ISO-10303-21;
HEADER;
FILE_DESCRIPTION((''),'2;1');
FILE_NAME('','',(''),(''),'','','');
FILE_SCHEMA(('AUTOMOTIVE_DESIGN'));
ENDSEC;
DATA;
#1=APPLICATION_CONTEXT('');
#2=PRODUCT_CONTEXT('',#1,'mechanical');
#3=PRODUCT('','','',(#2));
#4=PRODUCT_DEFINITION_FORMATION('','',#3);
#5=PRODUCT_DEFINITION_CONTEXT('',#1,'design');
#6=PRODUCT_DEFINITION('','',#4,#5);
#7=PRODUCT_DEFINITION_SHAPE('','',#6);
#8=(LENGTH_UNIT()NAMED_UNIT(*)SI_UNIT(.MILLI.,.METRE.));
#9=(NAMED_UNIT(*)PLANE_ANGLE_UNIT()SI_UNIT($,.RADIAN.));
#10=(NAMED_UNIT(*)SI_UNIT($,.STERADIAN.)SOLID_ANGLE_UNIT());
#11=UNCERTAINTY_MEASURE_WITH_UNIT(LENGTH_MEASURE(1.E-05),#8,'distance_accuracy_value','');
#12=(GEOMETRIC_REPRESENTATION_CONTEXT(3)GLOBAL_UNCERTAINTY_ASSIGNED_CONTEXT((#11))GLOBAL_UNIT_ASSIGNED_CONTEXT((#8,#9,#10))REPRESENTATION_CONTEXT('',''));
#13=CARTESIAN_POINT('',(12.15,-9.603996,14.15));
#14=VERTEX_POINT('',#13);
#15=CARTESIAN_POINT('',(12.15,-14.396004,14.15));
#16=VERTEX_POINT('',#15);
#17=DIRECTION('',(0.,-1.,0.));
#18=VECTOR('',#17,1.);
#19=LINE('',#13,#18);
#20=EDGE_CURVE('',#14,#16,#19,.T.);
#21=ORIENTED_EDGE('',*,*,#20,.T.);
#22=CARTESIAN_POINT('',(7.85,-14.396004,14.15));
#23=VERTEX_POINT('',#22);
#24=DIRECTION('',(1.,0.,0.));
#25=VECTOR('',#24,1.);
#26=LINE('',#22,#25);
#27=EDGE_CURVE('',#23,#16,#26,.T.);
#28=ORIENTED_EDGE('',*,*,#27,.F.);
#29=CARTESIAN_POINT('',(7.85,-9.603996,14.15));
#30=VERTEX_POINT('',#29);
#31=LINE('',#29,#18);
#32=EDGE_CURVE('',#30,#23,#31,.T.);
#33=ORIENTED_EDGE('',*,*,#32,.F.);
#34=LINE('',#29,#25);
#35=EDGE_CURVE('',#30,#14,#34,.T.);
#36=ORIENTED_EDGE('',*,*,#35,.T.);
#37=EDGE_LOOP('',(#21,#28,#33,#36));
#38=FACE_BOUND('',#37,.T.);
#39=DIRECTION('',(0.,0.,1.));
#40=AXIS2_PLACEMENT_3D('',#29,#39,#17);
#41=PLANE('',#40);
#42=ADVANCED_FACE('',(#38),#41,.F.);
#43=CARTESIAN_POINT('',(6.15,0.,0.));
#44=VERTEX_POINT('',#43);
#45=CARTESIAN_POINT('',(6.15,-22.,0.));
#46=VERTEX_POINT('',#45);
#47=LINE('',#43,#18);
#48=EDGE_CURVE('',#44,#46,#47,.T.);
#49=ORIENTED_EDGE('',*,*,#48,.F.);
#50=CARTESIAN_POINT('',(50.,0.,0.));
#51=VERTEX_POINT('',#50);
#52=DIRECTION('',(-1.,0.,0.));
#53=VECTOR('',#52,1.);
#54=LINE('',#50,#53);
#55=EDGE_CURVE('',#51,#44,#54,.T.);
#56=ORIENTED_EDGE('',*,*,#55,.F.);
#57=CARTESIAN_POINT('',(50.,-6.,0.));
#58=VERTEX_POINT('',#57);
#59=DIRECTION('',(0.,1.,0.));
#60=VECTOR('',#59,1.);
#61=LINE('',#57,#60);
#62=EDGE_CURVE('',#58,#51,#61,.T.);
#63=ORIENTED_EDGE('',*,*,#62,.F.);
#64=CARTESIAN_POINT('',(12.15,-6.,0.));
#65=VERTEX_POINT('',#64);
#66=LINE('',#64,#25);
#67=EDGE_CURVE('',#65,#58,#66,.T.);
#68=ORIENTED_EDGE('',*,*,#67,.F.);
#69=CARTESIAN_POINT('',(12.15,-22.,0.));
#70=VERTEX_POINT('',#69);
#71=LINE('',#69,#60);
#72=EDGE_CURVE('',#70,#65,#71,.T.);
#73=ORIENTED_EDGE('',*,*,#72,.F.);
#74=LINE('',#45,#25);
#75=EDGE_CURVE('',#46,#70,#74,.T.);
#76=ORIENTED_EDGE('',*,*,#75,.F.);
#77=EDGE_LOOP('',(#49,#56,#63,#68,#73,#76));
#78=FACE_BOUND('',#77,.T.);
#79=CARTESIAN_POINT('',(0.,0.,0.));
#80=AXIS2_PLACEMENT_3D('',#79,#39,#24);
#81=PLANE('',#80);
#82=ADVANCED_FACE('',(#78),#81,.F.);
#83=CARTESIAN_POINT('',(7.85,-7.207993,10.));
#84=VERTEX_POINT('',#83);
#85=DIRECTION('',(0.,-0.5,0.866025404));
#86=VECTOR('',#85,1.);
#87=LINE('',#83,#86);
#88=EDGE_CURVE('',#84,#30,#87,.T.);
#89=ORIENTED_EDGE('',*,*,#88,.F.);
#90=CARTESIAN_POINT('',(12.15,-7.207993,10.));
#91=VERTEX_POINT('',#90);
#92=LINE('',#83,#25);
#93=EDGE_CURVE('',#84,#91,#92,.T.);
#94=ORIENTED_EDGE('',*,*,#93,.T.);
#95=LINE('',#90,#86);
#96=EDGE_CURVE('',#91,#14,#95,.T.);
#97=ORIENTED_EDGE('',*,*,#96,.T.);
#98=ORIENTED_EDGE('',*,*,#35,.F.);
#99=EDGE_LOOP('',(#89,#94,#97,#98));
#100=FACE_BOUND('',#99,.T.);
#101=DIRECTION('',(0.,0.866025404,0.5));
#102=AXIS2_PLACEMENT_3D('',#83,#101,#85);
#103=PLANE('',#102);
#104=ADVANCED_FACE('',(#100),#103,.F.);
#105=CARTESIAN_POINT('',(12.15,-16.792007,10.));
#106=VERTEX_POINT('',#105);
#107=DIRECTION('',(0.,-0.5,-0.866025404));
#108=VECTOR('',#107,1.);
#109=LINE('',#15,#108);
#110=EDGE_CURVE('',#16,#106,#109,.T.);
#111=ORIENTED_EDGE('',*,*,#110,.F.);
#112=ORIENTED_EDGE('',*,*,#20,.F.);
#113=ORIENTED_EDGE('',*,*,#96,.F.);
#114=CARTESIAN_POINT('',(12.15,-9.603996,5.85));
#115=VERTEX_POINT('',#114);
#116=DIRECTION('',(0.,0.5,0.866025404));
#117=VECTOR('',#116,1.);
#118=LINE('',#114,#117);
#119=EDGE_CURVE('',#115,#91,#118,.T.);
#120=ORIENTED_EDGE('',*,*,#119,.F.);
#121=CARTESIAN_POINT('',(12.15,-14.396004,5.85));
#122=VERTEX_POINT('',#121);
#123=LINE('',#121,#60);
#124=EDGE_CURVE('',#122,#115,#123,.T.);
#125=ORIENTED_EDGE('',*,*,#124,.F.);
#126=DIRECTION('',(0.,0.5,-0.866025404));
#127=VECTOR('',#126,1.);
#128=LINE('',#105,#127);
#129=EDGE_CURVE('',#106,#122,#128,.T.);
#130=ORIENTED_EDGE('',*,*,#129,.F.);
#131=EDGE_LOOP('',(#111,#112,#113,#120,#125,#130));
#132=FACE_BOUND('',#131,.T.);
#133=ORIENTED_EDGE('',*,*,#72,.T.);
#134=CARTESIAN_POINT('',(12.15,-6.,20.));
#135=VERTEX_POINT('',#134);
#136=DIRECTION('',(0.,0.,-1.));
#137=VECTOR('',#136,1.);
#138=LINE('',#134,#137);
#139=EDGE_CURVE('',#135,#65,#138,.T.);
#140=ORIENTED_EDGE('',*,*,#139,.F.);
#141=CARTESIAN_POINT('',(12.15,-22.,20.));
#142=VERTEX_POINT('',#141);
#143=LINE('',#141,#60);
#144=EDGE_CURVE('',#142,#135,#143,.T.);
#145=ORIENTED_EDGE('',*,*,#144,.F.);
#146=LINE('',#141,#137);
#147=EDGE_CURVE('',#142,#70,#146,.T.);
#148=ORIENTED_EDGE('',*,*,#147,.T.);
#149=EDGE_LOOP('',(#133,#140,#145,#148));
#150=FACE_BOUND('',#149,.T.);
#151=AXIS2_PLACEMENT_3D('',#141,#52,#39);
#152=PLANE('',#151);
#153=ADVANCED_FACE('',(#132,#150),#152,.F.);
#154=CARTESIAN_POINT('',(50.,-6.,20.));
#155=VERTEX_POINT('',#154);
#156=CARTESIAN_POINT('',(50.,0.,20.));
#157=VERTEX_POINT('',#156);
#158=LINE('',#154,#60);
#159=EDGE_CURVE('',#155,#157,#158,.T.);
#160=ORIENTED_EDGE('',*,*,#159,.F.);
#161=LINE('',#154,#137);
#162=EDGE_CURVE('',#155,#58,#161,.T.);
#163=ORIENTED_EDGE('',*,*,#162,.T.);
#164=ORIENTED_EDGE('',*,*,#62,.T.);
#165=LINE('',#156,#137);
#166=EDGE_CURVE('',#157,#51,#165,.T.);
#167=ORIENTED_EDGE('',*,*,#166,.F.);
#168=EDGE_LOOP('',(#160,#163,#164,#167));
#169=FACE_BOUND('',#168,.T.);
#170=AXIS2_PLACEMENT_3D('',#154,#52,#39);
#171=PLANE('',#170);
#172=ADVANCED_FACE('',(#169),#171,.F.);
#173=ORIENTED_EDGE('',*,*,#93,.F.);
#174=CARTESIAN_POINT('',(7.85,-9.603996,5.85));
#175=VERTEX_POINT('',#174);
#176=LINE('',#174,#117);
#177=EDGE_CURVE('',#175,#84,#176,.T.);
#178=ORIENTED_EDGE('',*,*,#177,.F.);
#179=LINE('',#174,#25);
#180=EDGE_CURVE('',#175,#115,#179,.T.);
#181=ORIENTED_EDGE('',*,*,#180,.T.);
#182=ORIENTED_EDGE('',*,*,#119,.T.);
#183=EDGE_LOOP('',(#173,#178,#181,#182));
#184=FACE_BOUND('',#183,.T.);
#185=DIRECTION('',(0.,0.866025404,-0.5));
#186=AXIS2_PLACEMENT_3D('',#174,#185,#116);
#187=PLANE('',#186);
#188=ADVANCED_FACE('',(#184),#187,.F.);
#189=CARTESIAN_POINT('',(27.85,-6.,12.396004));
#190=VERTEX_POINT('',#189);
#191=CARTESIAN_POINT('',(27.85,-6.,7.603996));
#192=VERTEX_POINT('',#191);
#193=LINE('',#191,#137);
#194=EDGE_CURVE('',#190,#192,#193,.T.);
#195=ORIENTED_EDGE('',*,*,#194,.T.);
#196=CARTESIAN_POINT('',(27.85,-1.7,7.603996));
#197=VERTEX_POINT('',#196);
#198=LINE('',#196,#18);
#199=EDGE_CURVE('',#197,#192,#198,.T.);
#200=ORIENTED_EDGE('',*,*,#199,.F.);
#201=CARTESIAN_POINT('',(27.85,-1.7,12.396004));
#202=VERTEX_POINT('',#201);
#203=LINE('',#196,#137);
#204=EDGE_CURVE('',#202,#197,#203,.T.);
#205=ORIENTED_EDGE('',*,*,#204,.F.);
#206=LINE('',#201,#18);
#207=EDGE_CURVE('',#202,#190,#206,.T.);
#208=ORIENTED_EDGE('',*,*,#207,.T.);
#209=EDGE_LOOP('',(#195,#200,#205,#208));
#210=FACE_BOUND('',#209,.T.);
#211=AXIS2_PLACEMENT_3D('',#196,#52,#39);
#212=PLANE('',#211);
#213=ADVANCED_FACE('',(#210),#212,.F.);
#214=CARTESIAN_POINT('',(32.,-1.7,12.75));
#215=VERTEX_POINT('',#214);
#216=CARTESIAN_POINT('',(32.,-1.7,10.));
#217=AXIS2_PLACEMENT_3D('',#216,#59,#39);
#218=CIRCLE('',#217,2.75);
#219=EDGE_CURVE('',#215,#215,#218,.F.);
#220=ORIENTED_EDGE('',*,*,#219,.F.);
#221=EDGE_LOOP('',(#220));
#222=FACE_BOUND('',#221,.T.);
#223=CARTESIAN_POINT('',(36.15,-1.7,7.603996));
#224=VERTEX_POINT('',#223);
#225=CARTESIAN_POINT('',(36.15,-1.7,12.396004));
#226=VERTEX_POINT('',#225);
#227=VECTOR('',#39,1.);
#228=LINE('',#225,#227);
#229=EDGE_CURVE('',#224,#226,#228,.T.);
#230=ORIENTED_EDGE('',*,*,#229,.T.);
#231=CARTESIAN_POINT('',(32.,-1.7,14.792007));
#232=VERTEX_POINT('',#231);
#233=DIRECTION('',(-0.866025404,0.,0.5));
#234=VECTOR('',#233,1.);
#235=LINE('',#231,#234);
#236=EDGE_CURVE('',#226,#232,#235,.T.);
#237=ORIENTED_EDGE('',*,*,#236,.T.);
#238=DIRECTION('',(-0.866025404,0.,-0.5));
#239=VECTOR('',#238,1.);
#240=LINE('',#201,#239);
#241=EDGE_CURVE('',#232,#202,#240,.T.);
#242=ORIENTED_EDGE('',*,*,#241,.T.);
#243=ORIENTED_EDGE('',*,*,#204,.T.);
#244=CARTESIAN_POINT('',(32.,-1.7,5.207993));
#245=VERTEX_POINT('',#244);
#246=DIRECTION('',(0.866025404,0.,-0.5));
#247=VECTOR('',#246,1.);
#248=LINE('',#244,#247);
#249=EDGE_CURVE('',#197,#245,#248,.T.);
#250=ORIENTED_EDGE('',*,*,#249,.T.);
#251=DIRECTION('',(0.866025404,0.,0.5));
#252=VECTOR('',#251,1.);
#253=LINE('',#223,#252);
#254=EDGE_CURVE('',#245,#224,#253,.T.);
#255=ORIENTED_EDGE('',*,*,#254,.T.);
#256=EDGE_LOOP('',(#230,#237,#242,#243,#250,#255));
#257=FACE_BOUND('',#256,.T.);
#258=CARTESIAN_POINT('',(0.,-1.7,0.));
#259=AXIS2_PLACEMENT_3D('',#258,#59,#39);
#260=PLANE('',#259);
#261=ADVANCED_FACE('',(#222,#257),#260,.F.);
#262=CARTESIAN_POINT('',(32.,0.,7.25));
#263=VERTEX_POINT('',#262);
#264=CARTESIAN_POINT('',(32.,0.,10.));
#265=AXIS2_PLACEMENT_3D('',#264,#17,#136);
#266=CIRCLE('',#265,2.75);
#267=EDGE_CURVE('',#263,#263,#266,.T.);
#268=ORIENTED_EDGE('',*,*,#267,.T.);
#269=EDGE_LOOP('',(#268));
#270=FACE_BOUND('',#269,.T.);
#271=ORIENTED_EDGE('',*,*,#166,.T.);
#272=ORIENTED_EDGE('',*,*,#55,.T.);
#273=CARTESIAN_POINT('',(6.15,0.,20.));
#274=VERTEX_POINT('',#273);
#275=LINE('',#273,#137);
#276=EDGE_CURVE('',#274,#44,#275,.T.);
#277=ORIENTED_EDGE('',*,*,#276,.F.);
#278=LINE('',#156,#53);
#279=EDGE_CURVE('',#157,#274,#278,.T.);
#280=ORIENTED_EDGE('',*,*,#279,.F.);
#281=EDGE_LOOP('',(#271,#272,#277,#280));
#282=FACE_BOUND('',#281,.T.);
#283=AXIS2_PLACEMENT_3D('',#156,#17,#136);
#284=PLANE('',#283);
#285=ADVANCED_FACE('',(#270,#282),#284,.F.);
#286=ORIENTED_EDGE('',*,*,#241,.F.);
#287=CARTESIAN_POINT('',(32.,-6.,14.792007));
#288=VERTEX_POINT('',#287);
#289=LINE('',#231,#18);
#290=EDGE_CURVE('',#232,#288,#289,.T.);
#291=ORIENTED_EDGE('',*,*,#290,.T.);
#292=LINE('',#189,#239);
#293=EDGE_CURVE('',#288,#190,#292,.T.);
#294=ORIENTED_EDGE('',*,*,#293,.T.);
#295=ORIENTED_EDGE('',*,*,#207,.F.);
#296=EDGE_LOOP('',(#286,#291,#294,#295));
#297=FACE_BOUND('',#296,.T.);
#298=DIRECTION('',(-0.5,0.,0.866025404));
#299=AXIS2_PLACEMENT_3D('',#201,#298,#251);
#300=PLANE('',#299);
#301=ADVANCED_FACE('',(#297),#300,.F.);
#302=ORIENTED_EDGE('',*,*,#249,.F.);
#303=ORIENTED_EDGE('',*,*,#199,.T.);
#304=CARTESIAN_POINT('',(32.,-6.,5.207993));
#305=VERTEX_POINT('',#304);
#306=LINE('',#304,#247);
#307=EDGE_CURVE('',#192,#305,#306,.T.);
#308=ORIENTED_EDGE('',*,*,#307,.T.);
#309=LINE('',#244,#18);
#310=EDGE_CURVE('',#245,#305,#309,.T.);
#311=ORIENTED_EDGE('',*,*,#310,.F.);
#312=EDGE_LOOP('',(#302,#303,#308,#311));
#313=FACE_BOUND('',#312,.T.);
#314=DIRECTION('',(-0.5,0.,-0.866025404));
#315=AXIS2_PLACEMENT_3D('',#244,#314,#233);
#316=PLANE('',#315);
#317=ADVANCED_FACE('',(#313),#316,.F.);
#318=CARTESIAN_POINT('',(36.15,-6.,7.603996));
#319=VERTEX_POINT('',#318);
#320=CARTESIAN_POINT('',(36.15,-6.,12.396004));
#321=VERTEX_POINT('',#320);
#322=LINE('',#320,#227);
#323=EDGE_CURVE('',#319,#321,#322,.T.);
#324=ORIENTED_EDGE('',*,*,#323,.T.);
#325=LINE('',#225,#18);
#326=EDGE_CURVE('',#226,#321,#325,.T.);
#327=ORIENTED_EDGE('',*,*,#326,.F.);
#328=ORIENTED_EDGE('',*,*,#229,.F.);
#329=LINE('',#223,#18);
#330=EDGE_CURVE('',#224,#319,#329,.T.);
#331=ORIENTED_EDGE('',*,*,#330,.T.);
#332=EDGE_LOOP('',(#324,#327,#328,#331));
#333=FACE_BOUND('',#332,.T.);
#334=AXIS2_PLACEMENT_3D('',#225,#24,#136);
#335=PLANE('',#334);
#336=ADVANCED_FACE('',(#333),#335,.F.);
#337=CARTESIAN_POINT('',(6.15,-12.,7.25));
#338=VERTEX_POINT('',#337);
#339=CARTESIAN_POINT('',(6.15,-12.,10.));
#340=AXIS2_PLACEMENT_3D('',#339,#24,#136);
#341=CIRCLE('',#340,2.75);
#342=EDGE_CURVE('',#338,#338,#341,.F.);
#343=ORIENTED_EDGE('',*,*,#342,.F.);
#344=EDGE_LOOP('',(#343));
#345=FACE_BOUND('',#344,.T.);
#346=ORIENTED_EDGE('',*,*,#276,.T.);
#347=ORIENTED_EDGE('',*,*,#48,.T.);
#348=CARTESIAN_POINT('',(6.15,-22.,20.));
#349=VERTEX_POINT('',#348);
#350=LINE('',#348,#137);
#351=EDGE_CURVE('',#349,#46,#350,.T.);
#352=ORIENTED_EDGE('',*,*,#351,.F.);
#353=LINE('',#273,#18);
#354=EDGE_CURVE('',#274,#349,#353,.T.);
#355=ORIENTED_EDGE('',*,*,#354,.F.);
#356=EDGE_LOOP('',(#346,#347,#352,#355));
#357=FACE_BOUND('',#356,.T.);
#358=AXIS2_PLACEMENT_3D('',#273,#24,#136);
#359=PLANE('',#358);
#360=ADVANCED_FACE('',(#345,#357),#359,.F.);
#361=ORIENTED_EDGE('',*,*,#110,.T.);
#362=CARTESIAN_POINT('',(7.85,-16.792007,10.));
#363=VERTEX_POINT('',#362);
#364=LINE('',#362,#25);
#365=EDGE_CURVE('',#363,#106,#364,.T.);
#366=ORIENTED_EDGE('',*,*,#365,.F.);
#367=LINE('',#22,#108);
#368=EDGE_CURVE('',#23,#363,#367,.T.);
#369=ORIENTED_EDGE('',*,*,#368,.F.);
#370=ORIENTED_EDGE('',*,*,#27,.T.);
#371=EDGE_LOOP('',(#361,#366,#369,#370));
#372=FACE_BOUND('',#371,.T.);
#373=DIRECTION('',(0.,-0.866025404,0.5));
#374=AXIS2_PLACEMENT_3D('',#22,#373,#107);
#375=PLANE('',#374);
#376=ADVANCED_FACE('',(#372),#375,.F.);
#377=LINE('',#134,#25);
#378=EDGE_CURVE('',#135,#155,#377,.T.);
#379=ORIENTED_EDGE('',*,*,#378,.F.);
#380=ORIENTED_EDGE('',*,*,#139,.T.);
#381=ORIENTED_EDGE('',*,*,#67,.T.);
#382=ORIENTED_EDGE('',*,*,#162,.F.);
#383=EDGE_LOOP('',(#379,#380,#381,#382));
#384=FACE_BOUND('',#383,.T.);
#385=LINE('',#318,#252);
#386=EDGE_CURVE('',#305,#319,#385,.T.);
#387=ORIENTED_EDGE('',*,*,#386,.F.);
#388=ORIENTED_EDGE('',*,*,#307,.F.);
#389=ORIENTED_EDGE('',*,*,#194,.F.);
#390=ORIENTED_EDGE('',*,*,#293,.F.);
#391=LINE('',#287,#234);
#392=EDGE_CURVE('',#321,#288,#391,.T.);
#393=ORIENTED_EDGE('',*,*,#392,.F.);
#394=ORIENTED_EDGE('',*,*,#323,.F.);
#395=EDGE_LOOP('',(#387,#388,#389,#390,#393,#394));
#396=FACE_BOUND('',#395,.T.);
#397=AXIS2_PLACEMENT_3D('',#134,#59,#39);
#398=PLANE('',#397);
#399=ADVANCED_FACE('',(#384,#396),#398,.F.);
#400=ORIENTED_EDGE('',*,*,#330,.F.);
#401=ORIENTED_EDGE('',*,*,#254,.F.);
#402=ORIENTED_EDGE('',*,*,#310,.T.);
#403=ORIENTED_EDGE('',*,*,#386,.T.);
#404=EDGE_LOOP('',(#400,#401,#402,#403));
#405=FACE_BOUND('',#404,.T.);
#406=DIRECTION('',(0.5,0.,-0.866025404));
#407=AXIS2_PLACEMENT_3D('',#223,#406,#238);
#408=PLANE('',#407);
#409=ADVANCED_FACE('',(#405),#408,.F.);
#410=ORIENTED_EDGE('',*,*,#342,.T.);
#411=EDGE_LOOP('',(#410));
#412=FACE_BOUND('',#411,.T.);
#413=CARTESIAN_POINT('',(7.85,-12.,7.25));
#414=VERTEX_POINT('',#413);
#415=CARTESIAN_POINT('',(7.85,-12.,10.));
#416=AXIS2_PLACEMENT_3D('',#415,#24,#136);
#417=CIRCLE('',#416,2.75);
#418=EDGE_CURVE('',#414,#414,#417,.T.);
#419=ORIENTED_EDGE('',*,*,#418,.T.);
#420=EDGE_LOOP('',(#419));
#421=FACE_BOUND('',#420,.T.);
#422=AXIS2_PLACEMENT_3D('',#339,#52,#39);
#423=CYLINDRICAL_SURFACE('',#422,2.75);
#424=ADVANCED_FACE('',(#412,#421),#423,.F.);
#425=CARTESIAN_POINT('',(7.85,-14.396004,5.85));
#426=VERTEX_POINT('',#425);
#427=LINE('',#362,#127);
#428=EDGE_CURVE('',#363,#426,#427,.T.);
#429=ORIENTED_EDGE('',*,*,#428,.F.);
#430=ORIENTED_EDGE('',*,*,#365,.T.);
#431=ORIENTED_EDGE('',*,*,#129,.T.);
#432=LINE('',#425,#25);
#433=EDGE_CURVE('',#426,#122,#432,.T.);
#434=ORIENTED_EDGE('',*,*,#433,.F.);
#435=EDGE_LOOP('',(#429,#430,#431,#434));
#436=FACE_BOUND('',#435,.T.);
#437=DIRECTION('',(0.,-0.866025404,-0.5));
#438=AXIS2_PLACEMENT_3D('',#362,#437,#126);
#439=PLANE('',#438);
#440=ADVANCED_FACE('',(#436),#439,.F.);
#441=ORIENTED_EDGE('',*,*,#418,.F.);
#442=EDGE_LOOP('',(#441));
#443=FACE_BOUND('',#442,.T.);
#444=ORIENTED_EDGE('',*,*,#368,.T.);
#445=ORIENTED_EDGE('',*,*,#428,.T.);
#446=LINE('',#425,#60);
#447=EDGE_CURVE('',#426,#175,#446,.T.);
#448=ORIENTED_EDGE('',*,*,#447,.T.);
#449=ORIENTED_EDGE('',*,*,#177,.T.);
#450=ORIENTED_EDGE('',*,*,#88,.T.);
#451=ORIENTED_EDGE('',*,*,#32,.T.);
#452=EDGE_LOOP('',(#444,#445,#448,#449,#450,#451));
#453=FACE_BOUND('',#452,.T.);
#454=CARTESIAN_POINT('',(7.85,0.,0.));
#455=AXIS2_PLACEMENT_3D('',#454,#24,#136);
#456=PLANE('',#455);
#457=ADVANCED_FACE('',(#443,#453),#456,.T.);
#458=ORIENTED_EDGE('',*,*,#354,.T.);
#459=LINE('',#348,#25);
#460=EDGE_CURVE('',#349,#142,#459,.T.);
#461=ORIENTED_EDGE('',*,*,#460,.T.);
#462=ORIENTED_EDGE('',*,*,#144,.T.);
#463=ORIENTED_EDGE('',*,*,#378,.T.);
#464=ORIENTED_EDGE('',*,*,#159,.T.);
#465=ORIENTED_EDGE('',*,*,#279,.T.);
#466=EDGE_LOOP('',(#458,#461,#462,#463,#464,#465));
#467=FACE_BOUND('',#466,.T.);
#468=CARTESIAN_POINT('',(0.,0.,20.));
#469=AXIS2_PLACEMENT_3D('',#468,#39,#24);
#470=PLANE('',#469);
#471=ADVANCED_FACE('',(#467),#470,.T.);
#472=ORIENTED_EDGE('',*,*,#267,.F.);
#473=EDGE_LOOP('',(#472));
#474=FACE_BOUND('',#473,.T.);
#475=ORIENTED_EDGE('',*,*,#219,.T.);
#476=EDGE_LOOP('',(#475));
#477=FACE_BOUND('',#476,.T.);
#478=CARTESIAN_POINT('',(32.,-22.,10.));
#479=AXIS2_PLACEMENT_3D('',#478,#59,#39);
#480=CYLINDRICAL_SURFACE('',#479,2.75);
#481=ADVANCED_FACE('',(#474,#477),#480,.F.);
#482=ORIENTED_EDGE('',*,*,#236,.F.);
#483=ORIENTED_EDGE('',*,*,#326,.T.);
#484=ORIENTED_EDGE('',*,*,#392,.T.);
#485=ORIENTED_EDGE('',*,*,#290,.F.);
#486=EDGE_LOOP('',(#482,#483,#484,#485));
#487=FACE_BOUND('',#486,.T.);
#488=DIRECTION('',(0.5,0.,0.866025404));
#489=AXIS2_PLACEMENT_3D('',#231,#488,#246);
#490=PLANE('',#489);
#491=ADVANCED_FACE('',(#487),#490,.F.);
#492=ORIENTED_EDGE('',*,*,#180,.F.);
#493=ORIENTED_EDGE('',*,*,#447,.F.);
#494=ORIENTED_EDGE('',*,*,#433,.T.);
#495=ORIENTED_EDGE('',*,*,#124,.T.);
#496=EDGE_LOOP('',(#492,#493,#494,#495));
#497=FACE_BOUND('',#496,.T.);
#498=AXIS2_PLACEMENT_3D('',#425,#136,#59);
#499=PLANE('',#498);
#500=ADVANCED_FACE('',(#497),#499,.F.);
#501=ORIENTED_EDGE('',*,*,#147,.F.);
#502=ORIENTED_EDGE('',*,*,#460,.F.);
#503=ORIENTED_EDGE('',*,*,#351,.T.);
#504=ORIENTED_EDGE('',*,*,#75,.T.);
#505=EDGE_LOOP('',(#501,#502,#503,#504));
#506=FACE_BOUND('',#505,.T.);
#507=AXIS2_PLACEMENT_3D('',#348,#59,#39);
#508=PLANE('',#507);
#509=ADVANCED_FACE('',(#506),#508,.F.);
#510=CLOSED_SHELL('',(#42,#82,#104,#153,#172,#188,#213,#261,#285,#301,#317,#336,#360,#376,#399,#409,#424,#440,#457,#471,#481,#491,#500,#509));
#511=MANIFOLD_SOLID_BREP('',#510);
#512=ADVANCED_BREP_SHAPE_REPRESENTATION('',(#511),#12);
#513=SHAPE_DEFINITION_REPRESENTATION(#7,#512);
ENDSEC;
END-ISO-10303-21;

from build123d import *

# Parameters (mm, degrees)
EXTRUDE_20_DEPTH           = 20
CUT_EXTRUDE_5_DEPTH        = 59.172158289
CUT_EXTRUDE_5_DEPTH_BACK   = 59.172158289
SKETCH_5_R                 = 2.75
CUT_EXTRUDE_5_4_3_DEPTH    = 4.3
CUT_EXTRUDE_5_2_DEPTH      = 59.172158289
CUT_EXTRUDE_5_2_DEPTH_BACK = 59.172158289
SKETCH_5_3_R               = 2.75
CUT_EXTRUDE_5_4_3_2_DEPTH  = 4.3


with BuildPart() as part:
    # Профиль_скобы_6мм → Печатный_корпус_20мм (new body)
    with BuildSketch(Plane.XY):
        Polygon((6.15, -22), (12.15, -22), (12.15, -6), (50, -6), (50, 0), (6.15, 0), align=None)
    extrude(amount=EXTRUDE_20_DEPTH)

    # Sketch 5 → Cut-Extrude 5 (cut, two sides: drawn at the far end of the back side and taken through both)
    with BuildSketch(Plane(origin=(0, 0, 0), x_dir=(1, 0, 0), z_dir=(0, 1, 0)).offset(-CUT_EXTRUDE_5_DEPTH_BACK)):
        with Locations(Location((32, -10, 0), (0, 0, 270))):
            Circle(SKETCH_5_R)
    extrude(amount=CUT_EXTRUDE_5_DEPTH + CUT_EXTRUDE_5_DEPTH_BACK, mode=Mode.SUBTRACT)

    # Sketch 5 2 → Cut-Extrude 5_4_3 (cut)
    with BuildSketch(Plane.XZ.offset(6)):
        Polygon((32, 14.792007234), (36.15, 12.396003617), (36.15, 7.603996383), (32, 5.207992766), (27.85, 7.603996383), (27.85, 12.396003617), align=None)
    extrude(amount=-CUT_EXTRUDE_5_4_3_DEPTH, mode=Mode.SUBTRACT)

    # Sketch 5 3 → Cut-Extrude 5 2 (cut, two sides: drawn at the far end of the back side and taken through both)
    with BuildSketch(Plane(origin=(0, 0, 0), x_dir=(0, 0, -1), z_dir=(1, 0, 0)).offset(-CUT_EXTRUDE_5_2_DEPTH_BACK)):
        with Locations(Location((-10, -12, 0), (0, 0, 180))):
            Circle(SKETCH_5_3_R)
    extrude(amount=CUT_EXTRUDE_5_2_DEPTH + CUT_EXTRUDE_5_2_DEPTH_BACK, mode=Mode.SUBTRACT)

    # Sketch 5 4 → Cut-Extrude 5_4_3 2 (cut)
    with BuildSketch(Plane(origin=(12.15, 0, 0), x_dir=(0, 0, -1), z_dir=(1, 0, 0))):
        Polygon((-10, -7.207992766), (-14.15, -9.603996383), (-14.15, -14.396003617), (-10, -16.792007234), (-5.85, -14.396003617), (-5.85, -9.603996383), align=None)
    extrude(amount=-CUT_EXTRUDE_5_4_3_2_DEPTH, mode=Mode.SUBTRACT)


solid = part.part
